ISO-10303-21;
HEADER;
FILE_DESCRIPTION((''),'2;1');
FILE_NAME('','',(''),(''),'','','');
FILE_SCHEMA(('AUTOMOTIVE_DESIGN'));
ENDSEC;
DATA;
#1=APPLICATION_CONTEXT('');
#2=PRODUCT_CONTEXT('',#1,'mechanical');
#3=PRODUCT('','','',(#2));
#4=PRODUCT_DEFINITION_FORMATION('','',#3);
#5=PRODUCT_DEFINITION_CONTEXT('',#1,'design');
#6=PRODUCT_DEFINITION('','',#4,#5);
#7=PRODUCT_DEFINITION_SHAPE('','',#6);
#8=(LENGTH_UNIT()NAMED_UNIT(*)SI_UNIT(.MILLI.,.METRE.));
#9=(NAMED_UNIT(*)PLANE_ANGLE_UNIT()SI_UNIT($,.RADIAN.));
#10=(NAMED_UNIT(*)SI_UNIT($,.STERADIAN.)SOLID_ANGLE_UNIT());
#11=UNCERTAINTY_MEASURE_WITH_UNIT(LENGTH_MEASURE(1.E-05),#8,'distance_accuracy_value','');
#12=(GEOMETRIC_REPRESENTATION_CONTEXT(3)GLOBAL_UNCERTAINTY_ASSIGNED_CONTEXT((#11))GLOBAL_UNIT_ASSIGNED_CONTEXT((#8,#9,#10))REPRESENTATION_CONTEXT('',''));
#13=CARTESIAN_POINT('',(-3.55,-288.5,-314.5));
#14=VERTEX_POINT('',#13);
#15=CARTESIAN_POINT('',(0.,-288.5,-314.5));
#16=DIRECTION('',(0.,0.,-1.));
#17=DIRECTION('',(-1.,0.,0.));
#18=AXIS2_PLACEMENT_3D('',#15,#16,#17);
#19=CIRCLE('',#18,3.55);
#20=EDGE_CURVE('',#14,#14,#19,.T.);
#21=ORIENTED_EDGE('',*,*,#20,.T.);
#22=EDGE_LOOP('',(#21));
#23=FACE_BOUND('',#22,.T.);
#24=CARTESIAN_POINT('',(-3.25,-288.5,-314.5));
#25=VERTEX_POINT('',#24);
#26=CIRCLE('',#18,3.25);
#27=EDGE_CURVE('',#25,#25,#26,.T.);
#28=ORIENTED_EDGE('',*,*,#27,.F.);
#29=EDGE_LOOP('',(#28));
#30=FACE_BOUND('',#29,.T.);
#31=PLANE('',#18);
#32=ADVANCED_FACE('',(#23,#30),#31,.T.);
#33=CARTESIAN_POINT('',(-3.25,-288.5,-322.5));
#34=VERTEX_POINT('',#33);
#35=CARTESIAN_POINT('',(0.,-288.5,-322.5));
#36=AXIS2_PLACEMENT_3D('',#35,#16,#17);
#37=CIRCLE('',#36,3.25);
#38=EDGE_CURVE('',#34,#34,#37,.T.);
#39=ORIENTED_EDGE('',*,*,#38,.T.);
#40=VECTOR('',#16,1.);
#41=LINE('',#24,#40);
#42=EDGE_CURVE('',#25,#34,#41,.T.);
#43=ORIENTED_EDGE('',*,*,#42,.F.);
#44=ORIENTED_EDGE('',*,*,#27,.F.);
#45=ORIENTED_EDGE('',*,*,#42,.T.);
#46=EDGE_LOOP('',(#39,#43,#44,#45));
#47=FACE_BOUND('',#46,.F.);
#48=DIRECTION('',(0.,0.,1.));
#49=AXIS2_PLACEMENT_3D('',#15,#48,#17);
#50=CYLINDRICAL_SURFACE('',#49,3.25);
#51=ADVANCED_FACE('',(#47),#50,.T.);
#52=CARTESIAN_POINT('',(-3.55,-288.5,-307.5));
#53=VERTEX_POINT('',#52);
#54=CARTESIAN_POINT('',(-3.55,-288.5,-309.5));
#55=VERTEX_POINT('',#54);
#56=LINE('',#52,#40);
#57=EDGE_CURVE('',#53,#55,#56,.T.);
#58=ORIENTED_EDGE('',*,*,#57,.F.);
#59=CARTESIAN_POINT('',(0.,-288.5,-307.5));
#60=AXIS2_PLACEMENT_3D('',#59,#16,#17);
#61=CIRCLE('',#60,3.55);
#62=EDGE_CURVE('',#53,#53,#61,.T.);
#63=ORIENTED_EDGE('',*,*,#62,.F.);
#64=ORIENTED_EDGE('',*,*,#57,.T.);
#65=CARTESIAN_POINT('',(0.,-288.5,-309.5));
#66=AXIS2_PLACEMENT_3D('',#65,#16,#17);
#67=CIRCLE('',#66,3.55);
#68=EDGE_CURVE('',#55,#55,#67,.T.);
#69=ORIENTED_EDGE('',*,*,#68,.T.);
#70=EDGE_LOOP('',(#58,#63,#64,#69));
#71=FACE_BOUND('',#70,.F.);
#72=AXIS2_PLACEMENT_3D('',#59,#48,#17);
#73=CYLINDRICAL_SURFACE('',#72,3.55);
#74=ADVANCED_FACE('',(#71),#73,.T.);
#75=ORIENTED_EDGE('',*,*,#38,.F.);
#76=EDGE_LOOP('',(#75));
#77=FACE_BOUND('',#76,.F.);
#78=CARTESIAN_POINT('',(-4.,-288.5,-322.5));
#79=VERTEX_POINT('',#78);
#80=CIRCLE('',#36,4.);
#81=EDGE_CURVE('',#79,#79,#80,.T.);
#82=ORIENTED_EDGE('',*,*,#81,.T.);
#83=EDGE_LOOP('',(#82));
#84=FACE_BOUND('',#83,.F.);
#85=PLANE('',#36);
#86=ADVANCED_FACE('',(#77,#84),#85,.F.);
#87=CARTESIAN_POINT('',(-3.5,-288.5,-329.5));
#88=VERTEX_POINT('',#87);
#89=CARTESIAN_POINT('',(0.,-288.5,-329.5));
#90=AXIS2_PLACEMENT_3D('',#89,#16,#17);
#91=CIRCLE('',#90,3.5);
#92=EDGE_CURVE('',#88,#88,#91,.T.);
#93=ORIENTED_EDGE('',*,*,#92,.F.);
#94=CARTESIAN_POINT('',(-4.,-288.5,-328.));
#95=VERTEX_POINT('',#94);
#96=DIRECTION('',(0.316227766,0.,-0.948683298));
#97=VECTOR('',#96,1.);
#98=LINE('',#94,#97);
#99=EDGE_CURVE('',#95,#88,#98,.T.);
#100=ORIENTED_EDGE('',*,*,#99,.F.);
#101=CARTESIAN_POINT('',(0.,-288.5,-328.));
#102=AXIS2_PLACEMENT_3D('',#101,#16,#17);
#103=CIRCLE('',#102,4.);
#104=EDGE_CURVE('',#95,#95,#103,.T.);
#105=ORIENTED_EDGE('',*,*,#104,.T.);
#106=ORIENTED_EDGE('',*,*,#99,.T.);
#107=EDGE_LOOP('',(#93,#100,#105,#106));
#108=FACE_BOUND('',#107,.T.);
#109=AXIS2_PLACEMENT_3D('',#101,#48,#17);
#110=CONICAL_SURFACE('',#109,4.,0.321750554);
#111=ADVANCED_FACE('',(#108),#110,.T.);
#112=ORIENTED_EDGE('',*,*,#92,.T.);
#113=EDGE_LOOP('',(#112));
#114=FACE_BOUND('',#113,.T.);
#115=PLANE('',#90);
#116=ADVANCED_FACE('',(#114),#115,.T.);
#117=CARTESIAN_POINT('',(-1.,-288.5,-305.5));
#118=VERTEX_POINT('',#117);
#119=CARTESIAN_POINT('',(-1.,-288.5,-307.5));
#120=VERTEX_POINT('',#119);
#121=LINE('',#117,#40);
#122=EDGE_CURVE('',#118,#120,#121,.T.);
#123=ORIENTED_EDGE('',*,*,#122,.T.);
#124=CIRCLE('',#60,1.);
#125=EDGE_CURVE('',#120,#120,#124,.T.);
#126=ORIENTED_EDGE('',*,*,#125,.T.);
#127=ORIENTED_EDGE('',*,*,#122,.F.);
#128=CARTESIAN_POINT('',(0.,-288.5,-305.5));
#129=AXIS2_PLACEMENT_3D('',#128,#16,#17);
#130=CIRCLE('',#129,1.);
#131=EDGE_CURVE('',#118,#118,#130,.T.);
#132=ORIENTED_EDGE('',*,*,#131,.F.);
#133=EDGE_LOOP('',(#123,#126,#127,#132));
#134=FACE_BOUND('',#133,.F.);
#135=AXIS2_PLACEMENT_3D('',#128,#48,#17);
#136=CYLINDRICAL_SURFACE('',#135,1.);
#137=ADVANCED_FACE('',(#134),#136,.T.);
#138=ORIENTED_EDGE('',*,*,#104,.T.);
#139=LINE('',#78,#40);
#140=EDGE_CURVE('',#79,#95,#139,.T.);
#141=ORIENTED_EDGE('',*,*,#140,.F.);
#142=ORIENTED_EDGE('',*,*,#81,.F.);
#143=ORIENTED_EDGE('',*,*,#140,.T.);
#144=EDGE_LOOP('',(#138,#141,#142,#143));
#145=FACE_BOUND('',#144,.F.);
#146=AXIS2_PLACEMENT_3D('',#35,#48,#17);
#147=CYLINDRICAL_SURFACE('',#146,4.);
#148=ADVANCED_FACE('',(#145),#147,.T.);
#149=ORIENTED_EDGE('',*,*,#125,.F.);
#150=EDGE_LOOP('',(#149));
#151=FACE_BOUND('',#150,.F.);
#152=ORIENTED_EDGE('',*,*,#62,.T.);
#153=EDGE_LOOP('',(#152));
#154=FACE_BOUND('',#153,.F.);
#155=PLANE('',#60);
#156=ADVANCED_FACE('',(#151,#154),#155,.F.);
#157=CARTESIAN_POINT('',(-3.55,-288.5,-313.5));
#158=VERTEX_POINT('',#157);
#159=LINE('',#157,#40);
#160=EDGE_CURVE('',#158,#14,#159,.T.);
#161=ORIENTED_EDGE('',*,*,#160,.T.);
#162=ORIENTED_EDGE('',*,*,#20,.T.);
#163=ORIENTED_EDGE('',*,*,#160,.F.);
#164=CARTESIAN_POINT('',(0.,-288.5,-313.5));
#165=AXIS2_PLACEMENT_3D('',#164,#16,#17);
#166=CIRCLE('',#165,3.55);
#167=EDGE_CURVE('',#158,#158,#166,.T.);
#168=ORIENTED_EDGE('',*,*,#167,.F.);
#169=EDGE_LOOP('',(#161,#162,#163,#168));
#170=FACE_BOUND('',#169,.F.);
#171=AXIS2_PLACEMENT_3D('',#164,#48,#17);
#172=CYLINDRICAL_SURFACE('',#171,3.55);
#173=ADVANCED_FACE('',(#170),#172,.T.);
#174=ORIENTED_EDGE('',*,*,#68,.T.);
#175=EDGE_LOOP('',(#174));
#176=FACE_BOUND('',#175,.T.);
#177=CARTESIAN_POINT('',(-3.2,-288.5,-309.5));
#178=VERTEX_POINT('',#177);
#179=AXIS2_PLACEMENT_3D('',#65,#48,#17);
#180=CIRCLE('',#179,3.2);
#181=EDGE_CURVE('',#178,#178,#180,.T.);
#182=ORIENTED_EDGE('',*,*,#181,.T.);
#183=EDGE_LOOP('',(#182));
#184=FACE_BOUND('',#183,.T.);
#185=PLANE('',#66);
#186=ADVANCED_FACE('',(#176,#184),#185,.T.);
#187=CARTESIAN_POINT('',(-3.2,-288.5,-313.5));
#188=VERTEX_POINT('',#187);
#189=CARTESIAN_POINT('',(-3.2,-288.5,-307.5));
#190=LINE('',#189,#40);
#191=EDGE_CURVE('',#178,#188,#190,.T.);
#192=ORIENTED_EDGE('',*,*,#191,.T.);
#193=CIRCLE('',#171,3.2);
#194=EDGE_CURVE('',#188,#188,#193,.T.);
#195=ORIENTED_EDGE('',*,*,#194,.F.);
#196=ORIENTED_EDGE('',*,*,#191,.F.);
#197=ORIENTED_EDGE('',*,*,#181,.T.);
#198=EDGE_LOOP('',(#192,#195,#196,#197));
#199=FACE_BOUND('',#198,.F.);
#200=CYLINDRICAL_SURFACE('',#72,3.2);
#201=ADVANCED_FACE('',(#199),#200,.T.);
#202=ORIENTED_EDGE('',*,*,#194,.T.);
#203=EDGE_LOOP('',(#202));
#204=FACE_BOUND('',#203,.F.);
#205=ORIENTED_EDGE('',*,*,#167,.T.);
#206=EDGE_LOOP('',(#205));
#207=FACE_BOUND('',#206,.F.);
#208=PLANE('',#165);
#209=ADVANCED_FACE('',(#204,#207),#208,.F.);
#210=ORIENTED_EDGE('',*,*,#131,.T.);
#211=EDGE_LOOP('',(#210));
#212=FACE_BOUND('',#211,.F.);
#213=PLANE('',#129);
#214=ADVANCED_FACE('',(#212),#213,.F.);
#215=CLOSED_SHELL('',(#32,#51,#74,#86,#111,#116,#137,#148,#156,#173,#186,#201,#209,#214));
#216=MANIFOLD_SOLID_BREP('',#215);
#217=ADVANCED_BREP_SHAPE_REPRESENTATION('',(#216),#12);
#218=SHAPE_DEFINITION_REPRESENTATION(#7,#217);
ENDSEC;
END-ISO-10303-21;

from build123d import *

# Parameters (mm, degrees)
CYLINDER020_R             = 3.2
CYLINDER020_DEPTH         = 22
CYLINDER021_R             = 3.55
CYLINDER021_DEPTH         = 2
CYLINDER022_R             = 3.55
CYLINDER022_DEPTH         = 1
CYLINDER023_R             = 3.25
CYLINDER023_DEPTH         = 8
CYLINDER024_R             = 4
CYLINDER024_DEPTH         = 5.5
CYLINDER025_R             = 1
CYLINDER025_DEPTH         = 2
FUSION044_PLACEMENT_ANGLE = 180


with BuildPart() as cylinder020:
    # Cylinder020 → Cylinder020 (new body)
    with BuildSketch(Plane.XY.offset(5)):
        Circle(CYLINDER020_R)
    extrude(amount=CYLINDER020_DEPTH)


with BuildPart() as cylinder021:
    # Cylinder021 → Cylinder021 (new body)
    with BuildSketch(Plane.XY.offset(5)):
        Circle(CYLINDER021_R)
    extrude(amount=CYLINDER021_DEPTH)


with BuildPart() as cylinder022:
    # Cylinder022 → Cylinder022 (new body)
    with BuildSketch(Plane.XY.offset(11)):
        Circle(CYLINDER022_R)
    extrude(amount=CYLINDER022_DEPTH)


with BuildPart() as cylinder023:
    # Cylinder023 → Cylinder023 (new body)
    with BuildSketch(Plane.XY.offset(12)):
        Circle(CYLINDER023_R)
    extrude(amount=CYLINDER023_DEPTH)


with BuildPart() as cylinder024:
    # Cylinder024 → Cylinder024 (new body)
    with BuildSketch(Plane.XY.offset(20)):
        Circle(CYLINDER024_R)
    extrude(amount=CYLINDER024_DEPTH)


with BuildPart() as fusion002:
    # Cone → Cone (revolve)
    with BuildSketch(Plane(origin=(0, 0, 25.5), x_dir=(1, 0, 0), z_dir=(0, -1, 0))):
        Polygon((0, 0), (4, 0), (3.5, 1.5), (0, 1.5), align=None)
    revolve(axis=Axis((0, 0, 25.5), (0, 0, 1)))

    # Fusion002: union Cylinder020, Cylinder021, Cylinder022, Cylinder023, Cylinder024
    add(cylinder020.part)
    add(cylinder021.part)
    add(cylinder022.part)
    add(cylinder023.part)
    add(cylinder024.part)


with BuildPart() as mic:
    # Cylinder025 → Cylinder025 (new body)
    with BuildSketch(Plane.XY.offset(3)):
        Circle(CYLINDER025_R)
    extrude(amount=CYLINDER025_DEPTH)

    # Fusion044: union Fusion002
    add(fusion002.part)


with BuildPart() as mic_1:
    # Fusion044 placement: moved
    add(mic.part.moved(Location((0, -288.5, -302.5))).rotate(Axis((0, -288.5, -302.5), (0, 1, 0)), FUSION044_PLACEMENT_ANGLE))


solid = mic_1.part
